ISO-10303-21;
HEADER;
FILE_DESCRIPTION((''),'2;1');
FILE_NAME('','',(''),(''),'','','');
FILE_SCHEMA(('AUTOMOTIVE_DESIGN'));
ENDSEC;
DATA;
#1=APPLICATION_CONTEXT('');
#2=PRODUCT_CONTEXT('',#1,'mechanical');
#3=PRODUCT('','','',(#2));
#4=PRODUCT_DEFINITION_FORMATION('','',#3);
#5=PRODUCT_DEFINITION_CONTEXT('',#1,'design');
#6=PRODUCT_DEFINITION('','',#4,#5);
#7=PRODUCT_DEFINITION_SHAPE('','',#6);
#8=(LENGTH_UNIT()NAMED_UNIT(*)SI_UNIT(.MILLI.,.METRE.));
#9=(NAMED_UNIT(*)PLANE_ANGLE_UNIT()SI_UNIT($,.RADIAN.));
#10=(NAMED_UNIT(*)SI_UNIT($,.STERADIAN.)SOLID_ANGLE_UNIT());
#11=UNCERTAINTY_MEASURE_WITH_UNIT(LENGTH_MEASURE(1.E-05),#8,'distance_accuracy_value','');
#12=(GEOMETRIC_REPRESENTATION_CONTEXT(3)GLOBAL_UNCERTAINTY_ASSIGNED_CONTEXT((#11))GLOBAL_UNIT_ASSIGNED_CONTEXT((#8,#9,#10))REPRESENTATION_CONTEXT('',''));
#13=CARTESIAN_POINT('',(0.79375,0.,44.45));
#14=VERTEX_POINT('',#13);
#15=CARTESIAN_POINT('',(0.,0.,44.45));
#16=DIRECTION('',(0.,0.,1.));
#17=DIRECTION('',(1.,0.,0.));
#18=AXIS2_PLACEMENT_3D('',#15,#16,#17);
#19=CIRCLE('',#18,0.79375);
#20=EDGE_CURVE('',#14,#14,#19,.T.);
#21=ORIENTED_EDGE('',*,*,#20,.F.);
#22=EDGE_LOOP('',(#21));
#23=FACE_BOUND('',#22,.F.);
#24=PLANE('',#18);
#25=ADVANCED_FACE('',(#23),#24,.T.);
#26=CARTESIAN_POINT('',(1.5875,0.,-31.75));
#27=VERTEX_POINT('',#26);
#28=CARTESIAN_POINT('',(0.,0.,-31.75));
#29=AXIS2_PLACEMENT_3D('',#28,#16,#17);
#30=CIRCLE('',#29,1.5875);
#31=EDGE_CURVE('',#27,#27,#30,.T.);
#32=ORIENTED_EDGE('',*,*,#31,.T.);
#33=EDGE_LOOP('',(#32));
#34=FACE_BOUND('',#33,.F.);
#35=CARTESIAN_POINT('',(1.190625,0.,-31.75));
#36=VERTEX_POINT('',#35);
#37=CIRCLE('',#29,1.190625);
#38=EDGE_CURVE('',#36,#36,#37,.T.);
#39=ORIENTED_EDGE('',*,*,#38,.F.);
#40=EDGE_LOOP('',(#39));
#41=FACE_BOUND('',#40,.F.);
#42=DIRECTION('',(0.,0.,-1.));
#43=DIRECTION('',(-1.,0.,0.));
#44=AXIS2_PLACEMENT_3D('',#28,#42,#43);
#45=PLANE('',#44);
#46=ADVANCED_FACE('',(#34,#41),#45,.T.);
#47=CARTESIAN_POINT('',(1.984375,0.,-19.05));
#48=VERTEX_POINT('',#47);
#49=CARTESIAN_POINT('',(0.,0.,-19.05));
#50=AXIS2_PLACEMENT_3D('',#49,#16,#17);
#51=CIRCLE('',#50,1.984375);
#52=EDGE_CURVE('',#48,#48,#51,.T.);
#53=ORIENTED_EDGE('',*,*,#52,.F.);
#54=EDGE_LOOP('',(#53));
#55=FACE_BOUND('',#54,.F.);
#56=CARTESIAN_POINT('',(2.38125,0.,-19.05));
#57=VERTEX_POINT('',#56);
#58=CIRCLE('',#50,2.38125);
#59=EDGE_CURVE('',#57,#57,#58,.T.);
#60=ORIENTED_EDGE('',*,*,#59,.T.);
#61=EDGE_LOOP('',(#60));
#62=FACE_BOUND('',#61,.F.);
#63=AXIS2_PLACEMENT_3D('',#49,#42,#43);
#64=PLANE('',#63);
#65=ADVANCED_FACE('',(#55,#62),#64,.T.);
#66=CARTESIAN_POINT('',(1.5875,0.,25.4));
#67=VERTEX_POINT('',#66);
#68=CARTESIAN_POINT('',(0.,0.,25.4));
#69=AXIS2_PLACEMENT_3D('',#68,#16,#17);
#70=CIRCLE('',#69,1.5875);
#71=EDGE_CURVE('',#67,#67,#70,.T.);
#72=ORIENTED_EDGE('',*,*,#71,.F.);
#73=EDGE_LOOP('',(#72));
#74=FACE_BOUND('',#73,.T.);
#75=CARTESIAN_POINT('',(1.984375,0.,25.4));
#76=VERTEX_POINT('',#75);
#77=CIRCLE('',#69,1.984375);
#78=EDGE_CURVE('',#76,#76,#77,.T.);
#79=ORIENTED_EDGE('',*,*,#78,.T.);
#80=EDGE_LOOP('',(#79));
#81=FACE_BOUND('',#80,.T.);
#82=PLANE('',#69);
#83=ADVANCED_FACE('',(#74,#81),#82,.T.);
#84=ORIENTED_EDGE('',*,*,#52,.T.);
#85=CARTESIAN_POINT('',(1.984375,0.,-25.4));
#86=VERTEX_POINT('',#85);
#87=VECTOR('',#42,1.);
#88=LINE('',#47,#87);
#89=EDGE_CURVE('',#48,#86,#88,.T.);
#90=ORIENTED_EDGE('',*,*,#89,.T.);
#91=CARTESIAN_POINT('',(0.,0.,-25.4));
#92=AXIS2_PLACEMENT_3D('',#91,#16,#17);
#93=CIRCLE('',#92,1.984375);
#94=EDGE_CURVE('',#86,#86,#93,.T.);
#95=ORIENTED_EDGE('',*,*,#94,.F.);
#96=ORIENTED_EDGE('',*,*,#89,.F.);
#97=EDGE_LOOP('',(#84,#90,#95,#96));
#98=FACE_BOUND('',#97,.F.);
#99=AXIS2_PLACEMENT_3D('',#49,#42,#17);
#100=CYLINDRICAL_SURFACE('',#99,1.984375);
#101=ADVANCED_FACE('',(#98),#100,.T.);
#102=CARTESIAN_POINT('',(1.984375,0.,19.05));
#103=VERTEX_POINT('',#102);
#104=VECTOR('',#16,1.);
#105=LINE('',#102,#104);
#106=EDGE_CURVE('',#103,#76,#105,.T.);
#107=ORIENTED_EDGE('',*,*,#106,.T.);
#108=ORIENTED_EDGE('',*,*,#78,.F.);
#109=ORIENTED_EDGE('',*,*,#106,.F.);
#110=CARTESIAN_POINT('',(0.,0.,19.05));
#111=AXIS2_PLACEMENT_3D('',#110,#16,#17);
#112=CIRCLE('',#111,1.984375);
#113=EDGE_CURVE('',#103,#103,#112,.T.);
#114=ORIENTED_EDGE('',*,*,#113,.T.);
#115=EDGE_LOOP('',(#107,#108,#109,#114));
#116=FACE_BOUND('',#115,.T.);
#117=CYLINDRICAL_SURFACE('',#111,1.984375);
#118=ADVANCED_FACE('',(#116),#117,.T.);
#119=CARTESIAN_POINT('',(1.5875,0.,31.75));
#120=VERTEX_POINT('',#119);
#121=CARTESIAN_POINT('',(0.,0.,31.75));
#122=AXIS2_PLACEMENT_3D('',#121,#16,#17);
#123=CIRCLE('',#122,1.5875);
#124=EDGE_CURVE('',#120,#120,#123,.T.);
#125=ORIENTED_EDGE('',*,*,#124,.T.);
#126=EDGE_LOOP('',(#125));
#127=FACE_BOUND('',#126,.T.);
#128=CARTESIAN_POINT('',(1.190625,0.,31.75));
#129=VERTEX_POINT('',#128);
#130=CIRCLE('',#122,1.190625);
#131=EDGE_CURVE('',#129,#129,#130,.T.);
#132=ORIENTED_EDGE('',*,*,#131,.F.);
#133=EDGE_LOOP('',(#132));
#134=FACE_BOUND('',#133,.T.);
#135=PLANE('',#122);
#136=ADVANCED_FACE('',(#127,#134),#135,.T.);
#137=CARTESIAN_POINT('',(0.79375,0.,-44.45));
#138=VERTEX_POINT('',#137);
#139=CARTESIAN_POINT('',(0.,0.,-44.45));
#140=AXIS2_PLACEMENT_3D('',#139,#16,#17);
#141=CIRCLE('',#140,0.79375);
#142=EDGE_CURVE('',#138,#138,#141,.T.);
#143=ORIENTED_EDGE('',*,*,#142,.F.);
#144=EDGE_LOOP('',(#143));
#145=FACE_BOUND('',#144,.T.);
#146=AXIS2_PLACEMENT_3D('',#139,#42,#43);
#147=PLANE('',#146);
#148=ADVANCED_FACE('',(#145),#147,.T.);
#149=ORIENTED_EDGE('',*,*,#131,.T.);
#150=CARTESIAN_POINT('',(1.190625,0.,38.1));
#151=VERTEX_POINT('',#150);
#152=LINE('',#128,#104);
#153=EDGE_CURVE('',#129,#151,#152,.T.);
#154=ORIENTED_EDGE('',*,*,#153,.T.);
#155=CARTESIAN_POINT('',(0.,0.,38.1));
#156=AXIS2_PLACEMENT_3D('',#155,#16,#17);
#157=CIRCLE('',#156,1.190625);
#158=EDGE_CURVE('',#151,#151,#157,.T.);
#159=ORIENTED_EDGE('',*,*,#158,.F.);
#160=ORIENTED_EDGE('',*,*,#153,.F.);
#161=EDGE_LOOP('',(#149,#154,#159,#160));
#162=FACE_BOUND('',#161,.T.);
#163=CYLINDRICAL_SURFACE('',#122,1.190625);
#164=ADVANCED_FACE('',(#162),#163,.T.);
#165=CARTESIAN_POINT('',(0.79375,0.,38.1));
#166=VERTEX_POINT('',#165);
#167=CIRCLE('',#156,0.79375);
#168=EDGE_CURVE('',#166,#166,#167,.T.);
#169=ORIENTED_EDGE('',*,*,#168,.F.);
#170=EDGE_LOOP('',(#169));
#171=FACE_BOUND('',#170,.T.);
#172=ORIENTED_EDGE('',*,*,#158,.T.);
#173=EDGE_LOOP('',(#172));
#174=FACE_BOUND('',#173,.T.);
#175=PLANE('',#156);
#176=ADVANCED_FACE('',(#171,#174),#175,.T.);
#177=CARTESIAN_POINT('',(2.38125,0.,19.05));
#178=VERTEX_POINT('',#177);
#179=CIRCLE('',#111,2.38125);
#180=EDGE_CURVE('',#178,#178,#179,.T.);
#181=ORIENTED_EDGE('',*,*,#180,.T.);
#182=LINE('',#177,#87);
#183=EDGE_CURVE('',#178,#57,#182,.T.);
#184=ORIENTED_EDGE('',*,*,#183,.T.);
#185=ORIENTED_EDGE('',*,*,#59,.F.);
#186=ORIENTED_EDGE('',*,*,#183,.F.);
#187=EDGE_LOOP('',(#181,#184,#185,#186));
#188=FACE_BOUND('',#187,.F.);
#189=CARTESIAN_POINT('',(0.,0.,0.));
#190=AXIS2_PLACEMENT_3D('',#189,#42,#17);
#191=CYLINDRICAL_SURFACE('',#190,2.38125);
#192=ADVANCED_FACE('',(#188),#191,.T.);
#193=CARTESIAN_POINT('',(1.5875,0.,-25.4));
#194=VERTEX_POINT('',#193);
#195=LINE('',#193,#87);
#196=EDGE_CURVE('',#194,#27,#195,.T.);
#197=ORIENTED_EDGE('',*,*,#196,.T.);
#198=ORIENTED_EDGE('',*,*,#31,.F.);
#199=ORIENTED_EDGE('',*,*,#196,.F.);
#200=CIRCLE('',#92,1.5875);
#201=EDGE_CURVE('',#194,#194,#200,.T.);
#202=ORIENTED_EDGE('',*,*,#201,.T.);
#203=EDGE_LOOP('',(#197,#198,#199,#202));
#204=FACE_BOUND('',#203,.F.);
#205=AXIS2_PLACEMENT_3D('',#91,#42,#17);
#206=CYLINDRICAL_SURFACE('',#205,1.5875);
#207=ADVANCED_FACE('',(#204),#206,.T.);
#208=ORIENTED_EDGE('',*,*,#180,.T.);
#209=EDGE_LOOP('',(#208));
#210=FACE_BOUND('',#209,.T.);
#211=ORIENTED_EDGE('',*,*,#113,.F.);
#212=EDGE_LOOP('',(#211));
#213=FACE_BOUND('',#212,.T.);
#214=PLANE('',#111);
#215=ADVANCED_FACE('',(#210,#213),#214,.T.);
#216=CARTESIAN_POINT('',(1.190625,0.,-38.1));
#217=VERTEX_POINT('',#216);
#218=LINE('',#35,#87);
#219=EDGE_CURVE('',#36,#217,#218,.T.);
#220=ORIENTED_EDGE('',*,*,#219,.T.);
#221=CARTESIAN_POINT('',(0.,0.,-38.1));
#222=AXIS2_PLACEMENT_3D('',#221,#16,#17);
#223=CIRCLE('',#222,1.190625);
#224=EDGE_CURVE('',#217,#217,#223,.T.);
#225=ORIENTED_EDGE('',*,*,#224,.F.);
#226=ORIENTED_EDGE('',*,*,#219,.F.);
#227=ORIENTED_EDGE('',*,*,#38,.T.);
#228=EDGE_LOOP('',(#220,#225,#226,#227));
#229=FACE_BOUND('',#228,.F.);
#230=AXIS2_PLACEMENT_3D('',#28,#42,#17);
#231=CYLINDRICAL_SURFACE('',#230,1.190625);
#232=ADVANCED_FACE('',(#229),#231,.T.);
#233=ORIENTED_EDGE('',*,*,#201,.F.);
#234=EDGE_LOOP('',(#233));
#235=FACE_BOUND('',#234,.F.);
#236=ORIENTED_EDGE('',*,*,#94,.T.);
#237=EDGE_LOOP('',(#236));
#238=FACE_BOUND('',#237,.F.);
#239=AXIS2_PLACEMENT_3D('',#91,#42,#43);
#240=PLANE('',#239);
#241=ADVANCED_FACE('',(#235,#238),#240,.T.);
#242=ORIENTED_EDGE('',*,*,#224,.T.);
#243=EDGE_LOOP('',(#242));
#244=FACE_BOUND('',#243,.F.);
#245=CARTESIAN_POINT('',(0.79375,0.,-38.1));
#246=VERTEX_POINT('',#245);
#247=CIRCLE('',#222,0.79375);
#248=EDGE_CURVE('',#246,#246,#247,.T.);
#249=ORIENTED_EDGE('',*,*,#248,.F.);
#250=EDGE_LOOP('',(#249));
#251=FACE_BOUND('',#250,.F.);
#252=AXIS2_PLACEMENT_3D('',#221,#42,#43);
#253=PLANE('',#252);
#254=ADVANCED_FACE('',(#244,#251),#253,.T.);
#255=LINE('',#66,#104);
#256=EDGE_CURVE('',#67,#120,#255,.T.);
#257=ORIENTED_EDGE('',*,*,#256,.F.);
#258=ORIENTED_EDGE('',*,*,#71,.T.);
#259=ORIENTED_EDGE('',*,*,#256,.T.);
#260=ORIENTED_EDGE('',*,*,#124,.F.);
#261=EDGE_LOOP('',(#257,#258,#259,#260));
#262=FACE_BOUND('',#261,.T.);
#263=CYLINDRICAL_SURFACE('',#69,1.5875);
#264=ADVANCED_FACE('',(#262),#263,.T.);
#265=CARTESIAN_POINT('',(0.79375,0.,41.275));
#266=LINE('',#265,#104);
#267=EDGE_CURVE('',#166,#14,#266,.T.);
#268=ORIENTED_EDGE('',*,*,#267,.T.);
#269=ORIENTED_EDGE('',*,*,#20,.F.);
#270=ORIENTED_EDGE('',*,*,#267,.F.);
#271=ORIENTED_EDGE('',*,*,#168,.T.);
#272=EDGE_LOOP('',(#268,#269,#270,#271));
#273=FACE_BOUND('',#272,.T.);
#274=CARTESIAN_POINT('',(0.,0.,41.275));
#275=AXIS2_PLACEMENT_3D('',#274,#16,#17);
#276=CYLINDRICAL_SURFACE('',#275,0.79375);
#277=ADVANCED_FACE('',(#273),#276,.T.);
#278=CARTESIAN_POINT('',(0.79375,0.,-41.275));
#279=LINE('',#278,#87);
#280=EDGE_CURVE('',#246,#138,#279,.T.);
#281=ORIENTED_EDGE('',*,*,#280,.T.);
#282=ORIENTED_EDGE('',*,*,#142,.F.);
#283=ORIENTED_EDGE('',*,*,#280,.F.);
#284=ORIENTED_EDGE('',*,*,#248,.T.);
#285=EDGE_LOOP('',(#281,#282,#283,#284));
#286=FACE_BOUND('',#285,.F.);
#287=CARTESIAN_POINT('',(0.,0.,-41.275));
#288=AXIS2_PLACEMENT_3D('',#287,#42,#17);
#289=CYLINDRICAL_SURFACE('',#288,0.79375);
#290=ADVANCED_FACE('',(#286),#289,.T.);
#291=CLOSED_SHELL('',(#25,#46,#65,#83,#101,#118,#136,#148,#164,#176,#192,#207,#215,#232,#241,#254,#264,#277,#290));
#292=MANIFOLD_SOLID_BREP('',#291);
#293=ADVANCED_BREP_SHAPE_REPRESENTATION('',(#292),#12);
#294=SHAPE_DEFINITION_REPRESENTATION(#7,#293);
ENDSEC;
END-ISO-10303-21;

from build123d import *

# Parameters (mm, degrees)
F0_W = 0.79375
F0_H = 6.35


with BuildPart() as f1:
    # F0 (on Front) → F1 (revolve)
    with BuildSketch(Plane.XZ):
        Polygon((1.984375, 19.05), (0, 19.05), (0, 0), (2.38125, 0), (2.38125, 19.05), align=None)
        Polygon((0, 25.4), (0, 19.05), (1.984375, 19.05), (1.984375, 25.4), (1.5875, 25.4), align=None)
        Polygon((0, 31.75), (0, 25.4), (1.5875, 25.4), (1.5875, 31.75), (1.190625, 31.75), align=None)
        Polygon((0, 38.1), (0, 31.75), (1.190625, 31.75), (1.190625, 38.1), (0.79375, 38.1), align=None)
        with Locations((0.396875, 41.275)):
            Rectangle(F0_W, F0_H)
    revolve(axis=Axis((0, 0, 9.525), (0, 0, 1)))

    # F2: F1 across plane


with BuildPart() as f1_1:
    add(f1.part)
    add(f1.part.mirror(Plane.XY))


solid = f1_1.part
